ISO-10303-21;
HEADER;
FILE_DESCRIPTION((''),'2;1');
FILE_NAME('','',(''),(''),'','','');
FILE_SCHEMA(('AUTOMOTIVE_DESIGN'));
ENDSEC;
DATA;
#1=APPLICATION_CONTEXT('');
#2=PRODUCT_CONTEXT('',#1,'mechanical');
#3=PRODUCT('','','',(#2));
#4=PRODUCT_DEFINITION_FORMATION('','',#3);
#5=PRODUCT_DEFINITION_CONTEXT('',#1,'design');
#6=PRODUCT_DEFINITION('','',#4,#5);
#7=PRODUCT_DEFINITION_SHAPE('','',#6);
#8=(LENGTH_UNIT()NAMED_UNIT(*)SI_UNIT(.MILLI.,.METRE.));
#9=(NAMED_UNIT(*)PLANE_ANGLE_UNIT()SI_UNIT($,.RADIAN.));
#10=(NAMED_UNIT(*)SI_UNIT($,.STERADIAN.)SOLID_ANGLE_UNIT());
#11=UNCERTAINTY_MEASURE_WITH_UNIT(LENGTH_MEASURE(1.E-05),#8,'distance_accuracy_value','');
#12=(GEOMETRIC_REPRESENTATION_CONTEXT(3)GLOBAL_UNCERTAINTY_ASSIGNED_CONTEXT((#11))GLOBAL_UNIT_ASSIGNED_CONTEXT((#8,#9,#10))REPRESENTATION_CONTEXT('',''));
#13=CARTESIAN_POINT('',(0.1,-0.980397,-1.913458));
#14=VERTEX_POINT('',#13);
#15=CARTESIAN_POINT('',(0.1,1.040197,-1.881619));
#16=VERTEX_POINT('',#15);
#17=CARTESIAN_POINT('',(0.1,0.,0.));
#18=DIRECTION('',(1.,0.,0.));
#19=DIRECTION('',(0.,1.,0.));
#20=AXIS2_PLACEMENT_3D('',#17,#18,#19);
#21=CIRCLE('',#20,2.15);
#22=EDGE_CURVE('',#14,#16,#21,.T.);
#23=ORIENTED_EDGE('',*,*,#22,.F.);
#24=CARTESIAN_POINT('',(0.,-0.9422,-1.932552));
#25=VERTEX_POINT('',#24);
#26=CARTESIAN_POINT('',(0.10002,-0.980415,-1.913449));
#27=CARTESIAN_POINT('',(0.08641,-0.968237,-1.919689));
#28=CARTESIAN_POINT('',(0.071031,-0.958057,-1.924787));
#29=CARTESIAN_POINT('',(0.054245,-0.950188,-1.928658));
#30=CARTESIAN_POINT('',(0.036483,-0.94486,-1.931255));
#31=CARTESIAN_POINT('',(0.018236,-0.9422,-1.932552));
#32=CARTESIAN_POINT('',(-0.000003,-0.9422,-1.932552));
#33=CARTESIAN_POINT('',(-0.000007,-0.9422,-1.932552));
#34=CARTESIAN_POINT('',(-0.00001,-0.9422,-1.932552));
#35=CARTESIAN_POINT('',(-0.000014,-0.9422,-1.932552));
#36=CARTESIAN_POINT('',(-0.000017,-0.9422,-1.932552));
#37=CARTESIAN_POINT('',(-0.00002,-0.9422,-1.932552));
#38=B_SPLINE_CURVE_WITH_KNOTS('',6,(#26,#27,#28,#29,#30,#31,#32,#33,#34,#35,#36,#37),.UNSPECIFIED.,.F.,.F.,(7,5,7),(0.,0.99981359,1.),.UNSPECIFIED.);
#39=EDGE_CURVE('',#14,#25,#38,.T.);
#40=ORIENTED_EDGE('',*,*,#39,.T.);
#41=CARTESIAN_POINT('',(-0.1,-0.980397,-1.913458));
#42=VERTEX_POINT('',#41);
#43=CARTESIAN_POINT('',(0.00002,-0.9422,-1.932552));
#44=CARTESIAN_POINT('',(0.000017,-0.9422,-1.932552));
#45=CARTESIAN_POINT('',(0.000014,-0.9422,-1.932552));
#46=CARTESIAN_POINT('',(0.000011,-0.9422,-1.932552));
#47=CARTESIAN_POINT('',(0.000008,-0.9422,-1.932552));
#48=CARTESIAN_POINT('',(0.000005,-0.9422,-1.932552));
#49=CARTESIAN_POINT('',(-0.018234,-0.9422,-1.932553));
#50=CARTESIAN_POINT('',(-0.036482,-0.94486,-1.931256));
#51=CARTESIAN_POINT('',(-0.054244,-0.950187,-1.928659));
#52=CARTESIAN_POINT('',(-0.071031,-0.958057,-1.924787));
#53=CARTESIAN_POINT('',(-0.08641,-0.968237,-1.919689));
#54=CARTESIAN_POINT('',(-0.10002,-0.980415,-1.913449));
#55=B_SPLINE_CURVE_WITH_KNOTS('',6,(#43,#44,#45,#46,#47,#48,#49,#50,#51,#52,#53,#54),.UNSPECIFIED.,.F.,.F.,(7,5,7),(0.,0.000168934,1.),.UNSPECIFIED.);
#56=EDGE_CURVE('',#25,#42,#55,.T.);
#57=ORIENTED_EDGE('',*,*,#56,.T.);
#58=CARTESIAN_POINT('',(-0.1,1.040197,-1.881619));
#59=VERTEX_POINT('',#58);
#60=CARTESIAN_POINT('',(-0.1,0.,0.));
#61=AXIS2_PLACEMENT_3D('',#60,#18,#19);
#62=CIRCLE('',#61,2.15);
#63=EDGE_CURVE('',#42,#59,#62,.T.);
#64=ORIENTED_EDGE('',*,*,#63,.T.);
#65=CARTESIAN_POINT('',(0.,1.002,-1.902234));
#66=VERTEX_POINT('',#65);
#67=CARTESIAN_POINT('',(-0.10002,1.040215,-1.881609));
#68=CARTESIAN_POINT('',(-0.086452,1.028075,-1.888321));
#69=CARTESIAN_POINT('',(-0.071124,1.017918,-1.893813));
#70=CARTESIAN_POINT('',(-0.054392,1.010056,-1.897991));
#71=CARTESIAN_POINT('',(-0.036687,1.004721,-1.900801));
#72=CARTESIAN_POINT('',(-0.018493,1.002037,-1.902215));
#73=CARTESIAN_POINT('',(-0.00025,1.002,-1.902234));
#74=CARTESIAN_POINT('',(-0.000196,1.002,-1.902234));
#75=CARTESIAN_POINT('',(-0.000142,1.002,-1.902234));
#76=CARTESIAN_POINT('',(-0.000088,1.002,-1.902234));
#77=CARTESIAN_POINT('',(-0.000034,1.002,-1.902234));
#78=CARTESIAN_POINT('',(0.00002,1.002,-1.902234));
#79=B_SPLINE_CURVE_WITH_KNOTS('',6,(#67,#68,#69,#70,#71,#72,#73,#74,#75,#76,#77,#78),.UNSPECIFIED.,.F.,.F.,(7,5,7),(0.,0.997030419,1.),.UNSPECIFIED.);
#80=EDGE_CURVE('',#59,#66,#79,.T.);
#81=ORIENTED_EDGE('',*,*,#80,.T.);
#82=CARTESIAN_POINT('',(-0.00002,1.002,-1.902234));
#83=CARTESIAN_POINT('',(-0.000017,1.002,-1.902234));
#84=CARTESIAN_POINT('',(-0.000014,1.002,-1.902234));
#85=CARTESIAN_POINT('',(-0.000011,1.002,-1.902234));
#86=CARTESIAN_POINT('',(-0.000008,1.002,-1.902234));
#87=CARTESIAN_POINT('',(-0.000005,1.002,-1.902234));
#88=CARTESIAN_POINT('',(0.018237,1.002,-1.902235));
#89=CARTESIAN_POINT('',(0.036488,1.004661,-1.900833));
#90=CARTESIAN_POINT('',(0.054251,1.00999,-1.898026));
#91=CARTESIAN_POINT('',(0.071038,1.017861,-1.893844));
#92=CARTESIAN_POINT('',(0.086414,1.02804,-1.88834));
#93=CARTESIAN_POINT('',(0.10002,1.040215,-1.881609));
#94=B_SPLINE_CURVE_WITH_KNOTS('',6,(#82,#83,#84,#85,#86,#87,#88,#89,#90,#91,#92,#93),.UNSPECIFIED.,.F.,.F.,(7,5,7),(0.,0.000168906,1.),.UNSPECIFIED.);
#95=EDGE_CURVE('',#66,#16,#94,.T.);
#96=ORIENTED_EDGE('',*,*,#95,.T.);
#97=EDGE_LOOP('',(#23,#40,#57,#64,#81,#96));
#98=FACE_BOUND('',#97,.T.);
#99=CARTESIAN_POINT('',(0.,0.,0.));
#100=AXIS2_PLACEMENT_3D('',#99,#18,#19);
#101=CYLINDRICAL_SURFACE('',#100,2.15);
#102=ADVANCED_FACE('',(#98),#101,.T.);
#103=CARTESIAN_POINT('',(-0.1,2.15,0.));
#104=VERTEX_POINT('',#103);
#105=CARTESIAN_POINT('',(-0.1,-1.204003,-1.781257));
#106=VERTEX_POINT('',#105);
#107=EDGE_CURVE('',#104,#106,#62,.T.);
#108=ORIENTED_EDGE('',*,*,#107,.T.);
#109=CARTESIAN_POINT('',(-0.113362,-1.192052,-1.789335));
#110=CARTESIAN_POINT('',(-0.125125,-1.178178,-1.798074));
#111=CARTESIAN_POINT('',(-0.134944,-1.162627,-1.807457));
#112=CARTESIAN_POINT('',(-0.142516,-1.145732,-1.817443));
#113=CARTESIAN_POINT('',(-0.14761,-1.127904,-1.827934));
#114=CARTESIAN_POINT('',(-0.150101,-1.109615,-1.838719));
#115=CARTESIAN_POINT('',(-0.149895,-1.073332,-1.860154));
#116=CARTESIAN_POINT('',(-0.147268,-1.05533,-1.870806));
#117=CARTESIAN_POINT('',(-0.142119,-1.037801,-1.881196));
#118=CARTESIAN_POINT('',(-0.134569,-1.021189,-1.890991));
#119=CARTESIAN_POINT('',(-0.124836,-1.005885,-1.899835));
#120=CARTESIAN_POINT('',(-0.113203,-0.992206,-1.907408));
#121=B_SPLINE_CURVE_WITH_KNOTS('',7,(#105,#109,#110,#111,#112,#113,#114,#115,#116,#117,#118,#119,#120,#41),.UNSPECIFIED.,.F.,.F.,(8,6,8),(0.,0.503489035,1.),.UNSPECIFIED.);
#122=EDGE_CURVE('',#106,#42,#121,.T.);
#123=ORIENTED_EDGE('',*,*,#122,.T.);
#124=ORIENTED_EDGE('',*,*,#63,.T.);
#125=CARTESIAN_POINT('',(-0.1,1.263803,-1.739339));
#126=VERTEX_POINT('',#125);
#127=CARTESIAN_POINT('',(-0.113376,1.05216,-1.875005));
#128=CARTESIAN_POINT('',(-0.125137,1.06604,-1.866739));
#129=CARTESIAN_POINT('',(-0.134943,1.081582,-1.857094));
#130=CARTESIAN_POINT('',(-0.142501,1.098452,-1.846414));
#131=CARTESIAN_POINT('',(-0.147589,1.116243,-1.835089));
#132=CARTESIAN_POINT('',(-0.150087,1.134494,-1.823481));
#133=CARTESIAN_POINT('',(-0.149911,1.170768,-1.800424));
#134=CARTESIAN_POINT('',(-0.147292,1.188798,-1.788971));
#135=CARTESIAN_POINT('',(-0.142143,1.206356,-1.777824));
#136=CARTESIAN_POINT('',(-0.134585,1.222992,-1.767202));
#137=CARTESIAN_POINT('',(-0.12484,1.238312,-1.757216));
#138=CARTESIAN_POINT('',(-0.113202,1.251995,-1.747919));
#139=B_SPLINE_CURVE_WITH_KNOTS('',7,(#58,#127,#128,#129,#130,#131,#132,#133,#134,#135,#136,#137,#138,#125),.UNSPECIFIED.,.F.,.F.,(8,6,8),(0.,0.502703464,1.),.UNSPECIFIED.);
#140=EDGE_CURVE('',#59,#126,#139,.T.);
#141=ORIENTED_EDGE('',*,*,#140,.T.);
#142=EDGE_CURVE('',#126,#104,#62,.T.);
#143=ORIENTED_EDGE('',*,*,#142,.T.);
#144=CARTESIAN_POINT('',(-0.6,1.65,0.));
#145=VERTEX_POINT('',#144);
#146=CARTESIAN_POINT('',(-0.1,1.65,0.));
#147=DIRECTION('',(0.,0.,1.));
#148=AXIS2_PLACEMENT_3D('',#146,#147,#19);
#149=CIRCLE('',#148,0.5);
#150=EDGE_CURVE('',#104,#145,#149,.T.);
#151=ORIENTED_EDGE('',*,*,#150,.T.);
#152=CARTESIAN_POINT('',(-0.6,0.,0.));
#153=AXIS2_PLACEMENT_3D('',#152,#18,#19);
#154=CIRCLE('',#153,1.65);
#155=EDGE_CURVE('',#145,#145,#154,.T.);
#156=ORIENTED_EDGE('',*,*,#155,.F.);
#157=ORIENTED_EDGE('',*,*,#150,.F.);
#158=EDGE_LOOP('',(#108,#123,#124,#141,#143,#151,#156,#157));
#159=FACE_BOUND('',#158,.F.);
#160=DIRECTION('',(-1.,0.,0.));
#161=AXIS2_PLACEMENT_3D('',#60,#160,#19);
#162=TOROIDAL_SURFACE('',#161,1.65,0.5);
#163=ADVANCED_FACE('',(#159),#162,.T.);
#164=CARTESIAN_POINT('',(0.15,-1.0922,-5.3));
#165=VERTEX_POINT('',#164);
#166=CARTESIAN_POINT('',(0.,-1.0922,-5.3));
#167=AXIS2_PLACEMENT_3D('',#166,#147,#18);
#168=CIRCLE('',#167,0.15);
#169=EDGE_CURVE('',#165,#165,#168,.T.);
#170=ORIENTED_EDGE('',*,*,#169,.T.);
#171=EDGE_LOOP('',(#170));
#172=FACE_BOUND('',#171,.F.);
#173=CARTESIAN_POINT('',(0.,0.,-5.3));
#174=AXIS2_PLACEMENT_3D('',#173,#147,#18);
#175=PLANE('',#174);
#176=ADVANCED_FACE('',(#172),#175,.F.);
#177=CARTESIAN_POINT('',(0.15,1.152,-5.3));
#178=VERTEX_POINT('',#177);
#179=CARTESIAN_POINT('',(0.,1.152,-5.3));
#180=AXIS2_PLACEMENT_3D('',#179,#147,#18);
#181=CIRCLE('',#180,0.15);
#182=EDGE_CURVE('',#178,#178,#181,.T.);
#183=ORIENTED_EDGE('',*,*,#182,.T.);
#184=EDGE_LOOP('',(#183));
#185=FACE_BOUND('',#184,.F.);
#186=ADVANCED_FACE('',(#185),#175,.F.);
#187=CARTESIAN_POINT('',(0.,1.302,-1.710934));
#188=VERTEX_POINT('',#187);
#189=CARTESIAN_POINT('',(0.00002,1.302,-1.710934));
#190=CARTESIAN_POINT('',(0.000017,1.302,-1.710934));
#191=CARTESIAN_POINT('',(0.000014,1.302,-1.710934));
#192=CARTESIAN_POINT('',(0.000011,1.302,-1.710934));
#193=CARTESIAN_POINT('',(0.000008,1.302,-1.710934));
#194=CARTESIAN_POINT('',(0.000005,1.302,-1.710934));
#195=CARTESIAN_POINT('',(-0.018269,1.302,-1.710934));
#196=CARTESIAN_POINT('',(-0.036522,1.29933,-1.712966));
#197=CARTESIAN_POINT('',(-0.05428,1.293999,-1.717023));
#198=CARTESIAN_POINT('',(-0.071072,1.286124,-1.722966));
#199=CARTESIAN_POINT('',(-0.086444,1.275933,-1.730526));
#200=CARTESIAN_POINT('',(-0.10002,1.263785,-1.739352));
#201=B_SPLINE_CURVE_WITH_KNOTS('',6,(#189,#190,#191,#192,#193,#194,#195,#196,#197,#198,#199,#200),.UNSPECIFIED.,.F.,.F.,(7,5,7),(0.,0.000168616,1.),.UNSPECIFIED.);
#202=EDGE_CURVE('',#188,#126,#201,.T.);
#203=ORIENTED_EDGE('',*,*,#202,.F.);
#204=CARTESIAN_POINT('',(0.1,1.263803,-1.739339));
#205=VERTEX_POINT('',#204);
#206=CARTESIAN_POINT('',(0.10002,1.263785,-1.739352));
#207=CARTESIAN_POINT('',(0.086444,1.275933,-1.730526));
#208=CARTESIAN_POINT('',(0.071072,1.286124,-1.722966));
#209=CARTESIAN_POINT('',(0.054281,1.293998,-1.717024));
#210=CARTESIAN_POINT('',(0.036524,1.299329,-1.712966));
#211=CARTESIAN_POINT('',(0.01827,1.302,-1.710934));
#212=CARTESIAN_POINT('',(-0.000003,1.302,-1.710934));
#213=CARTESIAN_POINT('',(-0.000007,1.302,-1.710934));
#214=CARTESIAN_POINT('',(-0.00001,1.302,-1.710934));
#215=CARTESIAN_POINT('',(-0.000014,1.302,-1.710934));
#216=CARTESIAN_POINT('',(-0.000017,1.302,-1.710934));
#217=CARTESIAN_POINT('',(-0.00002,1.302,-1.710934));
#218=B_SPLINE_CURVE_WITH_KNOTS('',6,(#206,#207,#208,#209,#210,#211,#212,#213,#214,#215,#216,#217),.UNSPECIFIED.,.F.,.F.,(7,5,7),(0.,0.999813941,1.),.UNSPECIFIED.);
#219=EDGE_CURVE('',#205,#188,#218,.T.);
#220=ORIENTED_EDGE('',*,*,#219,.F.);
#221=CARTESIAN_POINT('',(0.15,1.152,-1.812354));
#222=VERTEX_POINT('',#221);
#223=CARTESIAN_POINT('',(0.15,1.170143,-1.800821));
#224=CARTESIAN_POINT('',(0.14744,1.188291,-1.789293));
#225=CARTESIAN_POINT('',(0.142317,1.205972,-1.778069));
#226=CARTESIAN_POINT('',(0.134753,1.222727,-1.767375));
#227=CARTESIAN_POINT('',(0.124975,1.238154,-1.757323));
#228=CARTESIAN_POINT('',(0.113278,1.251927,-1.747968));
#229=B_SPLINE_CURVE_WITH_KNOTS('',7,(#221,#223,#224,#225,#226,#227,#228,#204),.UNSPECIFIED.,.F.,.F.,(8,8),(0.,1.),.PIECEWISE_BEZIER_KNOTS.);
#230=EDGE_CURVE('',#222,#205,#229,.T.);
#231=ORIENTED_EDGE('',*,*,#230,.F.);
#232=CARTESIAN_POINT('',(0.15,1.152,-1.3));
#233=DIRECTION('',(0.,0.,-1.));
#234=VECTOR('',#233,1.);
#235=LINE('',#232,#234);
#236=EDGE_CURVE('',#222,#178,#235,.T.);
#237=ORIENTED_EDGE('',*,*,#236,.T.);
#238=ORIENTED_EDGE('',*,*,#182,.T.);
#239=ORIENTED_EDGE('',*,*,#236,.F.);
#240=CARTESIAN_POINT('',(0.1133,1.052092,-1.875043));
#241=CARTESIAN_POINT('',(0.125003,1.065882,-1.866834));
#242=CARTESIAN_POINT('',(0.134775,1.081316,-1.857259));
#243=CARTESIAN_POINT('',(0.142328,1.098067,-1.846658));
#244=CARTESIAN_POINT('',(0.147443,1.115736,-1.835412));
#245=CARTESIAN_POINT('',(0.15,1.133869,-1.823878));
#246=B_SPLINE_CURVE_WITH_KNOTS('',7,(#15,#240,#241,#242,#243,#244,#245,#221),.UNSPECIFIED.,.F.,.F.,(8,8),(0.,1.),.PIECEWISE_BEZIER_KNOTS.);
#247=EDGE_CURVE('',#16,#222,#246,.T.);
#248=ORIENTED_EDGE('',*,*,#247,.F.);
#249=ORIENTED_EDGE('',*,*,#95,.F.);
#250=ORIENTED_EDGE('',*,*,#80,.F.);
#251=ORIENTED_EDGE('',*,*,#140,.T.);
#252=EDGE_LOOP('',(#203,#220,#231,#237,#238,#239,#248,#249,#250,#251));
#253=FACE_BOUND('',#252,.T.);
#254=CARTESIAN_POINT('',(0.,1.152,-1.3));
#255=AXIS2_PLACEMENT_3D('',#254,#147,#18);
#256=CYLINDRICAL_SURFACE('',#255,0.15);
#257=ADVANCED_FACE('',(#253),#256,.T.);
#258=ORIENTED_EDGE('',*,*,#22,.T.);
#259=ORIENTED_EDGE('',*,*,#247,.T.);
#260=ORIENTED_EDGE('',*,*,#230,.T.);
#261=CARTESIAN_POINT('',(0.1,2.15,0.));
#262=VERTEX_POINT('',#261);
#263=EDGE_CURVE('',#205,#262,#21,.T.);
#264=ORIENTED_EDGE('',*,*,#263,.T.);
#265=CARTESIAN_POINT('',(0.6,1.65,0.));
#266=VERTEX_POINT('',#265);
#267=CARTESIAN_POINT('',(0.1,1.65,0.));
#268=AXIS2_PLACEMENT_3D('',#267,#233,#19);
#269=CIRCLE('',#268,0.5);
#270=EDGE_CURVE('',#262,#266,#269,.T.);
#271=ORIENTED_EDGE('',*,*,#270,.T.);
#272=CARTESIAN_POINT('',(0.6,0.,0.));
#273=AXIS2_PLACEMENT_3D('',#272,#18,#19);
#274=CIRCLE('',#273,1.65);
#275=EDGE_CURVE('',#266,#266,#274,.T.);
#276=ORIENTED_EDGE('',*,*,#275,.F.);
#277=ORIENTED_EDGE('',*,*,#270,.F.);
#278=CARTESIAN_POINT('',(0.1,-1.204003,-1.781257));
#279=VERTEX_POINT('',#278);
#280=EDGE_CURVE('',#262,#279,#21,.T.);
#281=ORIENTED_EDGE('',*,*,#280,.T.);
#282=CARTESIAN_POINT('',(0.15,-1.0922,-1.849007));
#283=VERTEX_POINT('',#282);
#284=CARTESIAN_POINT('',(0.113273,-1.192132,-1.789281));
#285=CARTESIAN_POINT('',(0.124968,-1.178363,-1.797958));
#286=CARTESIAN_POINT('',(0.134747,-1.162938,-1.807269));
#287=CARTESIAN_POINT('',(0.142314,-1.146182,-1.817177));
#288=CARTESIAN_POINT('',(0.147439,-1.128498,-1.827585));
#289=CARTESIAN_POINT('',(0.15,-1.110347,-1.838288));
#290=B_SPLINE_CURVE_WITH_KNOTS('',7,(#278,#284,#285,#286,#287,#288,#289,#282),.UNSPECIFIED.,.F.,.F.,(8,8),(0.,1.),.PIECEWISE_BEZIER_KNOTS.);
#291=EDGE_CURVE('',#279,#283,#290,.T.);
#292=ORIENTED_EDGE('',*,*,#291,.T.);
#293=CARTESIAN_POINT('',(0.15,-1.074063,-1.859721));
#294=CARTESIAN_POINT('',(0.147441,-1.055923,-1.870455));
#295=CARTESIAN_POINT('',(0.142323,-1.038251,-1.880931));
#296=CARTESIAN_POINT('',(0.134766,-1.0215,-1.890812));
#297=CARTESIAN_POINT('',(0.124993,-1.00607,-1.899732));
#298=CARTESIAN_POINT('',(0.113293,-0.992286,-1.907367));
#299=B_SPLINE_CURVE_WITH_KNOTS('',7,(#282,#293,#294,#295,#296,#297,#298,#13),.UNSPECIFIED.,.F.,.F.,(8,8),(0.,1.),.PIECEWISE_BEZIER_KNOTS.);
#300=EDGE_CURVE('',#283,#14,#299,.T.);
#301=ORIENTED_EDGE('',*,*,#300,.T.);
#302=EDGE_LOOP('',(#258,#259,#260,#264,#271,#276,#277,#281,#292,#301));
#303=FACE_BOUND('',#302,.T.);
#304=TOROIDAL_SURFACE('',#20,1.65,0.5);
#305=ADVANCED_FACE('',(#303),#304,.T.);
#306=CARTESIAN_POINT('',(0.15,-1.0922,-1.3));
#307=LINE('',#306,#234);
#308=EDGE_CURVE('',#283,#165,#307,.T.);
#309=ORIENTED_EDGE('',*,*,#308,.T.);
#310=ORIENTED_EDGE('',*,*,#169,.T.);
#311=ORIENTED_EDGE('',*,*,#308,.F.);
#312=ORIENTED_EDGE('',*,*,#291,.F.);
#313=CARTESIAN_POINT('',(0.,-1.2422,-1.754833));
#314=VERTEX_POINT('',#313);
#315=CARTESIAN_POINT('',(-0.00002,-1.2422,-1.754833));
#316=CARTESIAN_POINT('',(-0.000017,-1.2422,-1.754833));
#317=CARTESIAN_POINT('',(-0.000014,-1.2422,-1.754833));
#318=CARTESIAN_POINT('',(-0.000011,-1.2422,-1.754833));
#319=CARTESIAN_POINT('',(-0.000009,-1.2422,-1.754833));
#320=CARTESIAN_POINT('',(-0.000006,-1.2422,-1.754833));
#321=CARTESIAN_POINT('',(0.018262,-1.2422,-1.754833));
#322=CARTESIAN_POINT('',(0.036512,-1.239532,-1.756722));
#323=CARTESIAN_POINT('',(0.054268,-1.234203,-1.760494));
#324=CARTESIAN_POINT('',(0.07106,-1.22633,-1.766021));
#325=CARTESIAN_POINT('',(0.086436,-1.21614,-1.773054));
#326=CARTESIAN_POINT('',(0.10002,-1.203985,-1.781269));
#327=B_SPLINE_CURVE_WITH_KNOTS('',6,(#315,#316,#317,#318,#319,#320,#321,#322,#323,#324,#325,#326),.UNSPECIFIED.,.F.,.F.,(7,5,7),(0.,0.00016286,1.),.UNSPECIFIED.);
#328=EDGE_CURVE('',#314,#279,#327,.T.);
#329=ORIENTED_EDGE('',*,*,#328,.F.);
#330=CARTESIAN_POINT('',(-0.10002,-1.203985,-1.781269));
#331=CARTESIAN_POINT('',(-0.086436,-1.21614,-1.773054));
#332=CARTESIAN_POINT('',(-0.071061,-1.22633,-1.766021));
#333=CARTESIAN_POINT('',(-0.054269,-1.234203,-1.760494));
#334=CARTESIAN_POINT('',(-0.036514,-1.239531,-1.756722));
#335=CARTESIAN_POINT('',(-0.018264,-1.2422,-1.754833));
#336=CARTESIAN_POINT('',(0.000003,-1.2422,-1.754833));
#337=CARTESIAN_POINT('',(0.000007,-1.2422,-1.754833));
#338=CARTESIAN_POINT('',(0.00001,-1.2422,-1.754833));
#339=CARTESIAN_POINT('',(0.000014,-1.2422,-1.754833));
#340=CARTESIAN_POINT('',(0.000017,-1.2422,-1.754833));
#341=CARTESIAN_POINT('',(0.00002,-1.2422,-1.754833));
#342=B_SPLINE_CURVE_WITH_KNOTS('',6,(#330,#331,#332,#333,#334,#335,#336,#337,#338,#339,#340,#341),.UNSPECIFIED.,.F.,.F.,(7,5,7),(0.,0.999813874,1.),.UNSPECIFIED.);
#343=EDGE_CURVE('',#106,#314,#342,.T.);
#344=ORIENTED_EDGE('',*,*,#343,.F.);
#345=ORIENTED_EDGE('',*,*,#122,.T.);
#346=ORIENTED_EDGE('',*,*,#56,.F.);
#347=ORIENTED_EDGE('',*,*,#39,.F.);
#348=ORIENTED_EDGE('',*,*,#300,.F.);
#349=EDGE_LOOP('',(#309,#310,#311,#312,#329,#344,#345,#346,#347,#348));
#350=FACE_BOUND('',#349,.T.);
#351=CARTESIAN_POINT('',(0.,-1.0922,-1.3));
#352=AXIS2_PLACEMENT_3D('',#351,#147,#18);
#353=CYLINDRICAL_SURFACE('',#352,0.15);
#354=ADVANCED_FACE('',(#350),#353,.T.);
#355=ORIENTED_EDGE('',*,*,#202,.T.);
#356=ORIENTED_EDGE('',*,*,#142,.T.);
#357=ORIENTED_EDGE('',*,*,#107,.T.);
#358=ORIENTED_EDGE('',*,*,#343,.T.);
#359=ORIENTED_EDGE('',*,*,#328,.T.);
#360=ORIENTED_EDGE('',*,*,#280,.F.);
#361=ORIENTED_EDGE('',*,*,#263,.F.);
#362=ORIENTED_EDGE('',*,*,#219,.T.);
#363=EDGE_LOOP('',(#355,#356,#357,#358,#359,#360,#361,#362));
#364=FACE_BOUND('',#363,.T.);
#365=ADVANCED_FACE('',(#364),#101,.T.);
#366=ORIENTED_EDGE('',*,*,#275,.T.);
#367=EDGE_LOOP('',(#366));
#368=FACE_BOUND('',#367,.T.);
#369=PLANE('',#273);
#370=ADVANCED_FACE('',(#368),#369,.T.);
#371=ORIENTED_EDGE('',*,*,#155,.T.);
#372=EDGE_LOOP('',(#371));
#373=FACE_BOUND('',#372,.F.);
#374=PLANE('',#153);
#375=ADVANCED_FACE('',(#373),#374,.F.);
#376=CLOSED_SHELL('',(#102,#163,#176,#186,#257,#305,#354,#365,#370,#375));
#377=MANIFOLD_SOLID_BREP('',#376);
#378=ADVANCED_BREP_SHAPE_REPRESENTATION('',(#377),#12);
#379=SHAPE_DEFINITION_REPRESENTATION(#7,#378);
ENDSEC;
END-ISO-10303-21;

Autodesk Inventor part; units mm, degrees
ref_plane "YZ Plane" through (0, 0, 0) normal (1, 0, 0) x (0, 1, 0)
ref_plane "XZ Plane" through (0, 0, 0) normal (0, 1, 0) x (-1, 0, 0)
sketch "Boceto1" plane through (0, 0, 0) normal (1, 0, 0) x (0, 1, 0)
  circle A0 centre (0, 0) radius 2.15
  dimension "d0" = 4.3
extrude "Extrusión1" add sketch "Boceto1" along normal mid plane 1.2
fillet "Empalme1" radius 0.5 1 edges at (0.6, -2.15, 0)
fillet "Empalme2" radius 0.5 1 edges at (-0.6, -2.15, 0)
sketch "Boceto2" plane through (-0.6, 0, 0) normal (-1, 0, 0) x (0, 0, 1)
  line L0 (-0.4973, -1.1141) -> (-0.471, 1.1369) construction
  line L1 (-0.471, 1.1369) -> (0.5703, 1.1247) construction
  line L2 (0.5703, 1.1247) -> (0.544, -1.1263) construction
  line L3 (0.544, -1.1263) -> (-0.4973, -1.1141) construction
  line L4 (-0.4973, -1.1141) -> (-0.471, 1.1369) construction
  line L5 (-0.471, 1.1369) -> (0.5703, 1.1247) construction
  line L6 (0.5703, 1.1247) -> (0.544, -1.1263) construction
  line L7 (0.544, -1.1263) -> (-0.4973, -1.1141) construction
  line L8 (-0.4973, -1.1141) -> (-0.471, 1.1369) construction
  line L9 (-0.471, 1.1369) -> (0.5703, 1.1247) construction
  line L10 (0.5703, 1.1247) -> (0.544, -1.1263) construction
  line L11 (0.544, -1.1263) -> (-0.4973, -1.1141) construction
  line L12 (-0.4973, -1.1141) -> (-0.471, 1.1369) construction
  line L13 (-0.471, 1.1369) -> (0.5703, 1.1247) construction
  line L14 (0.5703, 1.1247) -> (0.544, -1.1263) construction
  line L15 (0.544, -1.1263) -> (-0.4973, -1.1141) construction
  line L16 (0.5613, 1.1178) -> (0.5386, -1.1333) construction
  line L17 (0.5386, -1.1333) -> (-0.5027, -1.1227) construction
  line L18 (-0.5027, -1.1227) -> (-0.4799, 1.1284) construction
  line L19 (-0.4799, 1.1284) -> (0.5613, 1.1178) construction
  point P0 (0, 0)
sketch "Boceto3" plane through (0.6, 0, 0) normal (1, 0, 0) x (0, 0, -1)
  line L0 (-0.4973, -1.1141) -> (-0.471, 1.1369) construction
  line L1 (-0.471, 1.1369) -> (0.5703, 1.1247) construction
  line L2 (0.5703, 1.1247) -> (0.544, -1.1263) construction
  line L3 (0.544, -1.1263) -> (-0.4973, -1.1141) construction
  point P0 (0, 0)
ref_plane "Plano de trabajo1" through (0, 0, -1.3) normal (0, 0, 1) x (1, 0, 0)
sketch "Boceto4" plane through (0, 0, -1.3) normal (0, 0, 1) x (1, 0, 0)
  line L0 (0.1, -2.15) -> (0.1, 2.15) projected
  line L1 (0.6, 1.65) -> (0.6, -1.65) projected
  line L2 (-0.1, 2.15) -> (-0.1, -2.15) projected
  line L3 (-0.6, -1.65) -> (-0.6, 1.65) projected
  line L4 (0.1, -2.15) -> (0.1, 2.15) projected
  line L5 (-0.1, 2.15) -> (-0.1, -2.15) projected
  circle A0 centre (0, -1.0922) radius 0.15
  circle A1 centre (0, 1.152) radius 0.15
  point P0 (0, 0)
  dimension "d7" = 0.3
  dimension "d8" = 0.3
extrude "Extrusión2" add sketch "Boceto4" against normal blind 4 contours A0 L2 L0 | L0 A0 | A0 L2 | A1 L2 L0 | L0 A1 | A1 L2
properties part number "cap334"
